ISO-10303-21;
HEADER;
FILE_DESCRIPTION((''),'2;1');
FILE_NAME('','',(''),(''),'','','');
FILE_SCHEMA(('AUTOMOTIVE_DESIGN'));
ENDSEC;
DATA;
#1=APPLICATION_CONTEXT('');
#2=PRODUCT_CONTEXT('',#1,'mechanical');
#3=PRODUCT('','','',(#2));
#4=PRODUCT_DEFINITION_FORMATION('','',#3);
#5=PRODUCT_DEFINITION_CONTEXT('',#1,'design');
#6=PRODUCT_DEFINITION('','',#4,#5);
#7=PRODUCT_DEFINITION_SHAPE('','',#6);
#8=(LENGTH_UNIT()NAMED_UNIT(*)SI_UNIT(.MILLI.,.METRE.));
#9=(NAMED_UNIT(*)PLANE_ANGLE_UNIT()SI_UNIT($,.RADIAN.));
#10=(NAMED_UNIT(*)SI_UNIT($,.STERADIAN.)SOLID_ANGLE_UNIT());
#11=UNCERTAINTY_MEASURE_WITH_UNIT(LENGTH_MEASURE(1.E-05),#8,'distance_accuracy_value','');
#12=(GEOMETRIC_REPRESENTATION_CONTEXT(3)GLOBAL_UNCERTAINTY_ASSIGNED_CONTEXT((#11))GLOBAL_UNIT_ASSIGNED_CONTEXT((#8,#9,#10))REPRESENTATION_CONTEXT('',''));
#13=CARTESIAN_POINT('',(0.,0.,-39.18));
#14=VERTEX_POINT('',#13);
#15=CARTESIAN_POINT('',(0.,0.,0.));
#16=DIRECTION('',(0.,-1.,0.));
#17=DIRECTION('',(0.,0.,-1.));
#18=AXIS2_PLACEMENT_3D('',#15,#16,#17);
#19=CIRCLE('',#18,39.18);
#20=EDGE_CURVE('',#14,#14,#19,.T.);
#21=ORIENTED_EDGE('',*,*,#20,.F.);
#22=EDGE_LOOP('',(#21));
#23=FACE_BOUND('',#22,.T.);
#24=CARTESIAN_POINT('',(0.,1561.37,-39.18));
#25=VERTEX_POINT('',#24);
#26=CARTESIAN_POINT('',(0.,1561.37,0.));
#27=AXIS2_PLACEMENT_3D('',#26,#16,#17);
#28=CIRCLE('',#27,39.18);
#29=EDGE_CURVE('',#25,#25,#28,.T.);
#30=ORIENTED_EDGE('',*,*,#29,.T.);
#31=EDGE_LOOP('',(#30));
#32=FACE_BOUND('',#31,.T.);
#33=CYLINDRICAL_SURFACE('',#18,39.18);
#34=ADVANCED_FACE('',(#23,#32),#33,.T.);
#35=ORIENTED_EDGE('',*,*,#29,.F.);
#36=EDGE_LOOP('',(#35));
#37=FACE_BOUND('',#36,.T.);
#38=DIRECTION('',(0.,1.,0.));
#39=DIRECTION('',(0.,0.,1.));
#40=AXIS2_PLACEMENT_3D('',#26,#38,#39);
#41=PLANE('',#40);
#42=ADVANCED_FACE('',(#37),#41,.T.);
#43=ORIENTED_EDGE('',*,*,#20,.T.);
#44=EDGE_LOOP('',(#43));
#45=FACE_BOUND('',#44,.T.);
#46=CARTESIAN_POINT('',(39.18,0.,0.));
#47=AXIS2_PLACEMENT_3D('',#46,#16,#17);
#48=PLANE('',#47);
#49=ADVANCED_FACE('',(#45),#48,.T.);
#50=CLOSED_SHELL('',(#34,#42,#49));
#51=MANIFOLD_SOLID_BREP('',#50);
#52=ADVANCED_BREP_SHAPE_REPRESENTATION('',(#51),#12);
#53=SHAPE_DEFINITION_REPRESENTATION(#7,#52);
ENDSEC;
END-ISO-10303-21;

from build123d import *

# Parameters (mm, degrees)
ESBO_O1_W = 39.18
ESBO_O1_H = 1561.37


with BuildPart() as part:
    # Esboço1 → Revolução1 (revolve)
    with BuildSketch(Plane.XY, mode=Mode.PRIVATE) as revolu_o1_sk:
        with Locations((19.59, 780.685)):
            Rectangle(ESBO_O1_W, ESBO_O1_H)
    revolve(revolu_o1_sk.sketch.rotate(Axis((0, 0, 0), (0, 1, 0)), 90), axis=Axis((0, 0, 0), (0, 1, 0)))


solid = part.part
